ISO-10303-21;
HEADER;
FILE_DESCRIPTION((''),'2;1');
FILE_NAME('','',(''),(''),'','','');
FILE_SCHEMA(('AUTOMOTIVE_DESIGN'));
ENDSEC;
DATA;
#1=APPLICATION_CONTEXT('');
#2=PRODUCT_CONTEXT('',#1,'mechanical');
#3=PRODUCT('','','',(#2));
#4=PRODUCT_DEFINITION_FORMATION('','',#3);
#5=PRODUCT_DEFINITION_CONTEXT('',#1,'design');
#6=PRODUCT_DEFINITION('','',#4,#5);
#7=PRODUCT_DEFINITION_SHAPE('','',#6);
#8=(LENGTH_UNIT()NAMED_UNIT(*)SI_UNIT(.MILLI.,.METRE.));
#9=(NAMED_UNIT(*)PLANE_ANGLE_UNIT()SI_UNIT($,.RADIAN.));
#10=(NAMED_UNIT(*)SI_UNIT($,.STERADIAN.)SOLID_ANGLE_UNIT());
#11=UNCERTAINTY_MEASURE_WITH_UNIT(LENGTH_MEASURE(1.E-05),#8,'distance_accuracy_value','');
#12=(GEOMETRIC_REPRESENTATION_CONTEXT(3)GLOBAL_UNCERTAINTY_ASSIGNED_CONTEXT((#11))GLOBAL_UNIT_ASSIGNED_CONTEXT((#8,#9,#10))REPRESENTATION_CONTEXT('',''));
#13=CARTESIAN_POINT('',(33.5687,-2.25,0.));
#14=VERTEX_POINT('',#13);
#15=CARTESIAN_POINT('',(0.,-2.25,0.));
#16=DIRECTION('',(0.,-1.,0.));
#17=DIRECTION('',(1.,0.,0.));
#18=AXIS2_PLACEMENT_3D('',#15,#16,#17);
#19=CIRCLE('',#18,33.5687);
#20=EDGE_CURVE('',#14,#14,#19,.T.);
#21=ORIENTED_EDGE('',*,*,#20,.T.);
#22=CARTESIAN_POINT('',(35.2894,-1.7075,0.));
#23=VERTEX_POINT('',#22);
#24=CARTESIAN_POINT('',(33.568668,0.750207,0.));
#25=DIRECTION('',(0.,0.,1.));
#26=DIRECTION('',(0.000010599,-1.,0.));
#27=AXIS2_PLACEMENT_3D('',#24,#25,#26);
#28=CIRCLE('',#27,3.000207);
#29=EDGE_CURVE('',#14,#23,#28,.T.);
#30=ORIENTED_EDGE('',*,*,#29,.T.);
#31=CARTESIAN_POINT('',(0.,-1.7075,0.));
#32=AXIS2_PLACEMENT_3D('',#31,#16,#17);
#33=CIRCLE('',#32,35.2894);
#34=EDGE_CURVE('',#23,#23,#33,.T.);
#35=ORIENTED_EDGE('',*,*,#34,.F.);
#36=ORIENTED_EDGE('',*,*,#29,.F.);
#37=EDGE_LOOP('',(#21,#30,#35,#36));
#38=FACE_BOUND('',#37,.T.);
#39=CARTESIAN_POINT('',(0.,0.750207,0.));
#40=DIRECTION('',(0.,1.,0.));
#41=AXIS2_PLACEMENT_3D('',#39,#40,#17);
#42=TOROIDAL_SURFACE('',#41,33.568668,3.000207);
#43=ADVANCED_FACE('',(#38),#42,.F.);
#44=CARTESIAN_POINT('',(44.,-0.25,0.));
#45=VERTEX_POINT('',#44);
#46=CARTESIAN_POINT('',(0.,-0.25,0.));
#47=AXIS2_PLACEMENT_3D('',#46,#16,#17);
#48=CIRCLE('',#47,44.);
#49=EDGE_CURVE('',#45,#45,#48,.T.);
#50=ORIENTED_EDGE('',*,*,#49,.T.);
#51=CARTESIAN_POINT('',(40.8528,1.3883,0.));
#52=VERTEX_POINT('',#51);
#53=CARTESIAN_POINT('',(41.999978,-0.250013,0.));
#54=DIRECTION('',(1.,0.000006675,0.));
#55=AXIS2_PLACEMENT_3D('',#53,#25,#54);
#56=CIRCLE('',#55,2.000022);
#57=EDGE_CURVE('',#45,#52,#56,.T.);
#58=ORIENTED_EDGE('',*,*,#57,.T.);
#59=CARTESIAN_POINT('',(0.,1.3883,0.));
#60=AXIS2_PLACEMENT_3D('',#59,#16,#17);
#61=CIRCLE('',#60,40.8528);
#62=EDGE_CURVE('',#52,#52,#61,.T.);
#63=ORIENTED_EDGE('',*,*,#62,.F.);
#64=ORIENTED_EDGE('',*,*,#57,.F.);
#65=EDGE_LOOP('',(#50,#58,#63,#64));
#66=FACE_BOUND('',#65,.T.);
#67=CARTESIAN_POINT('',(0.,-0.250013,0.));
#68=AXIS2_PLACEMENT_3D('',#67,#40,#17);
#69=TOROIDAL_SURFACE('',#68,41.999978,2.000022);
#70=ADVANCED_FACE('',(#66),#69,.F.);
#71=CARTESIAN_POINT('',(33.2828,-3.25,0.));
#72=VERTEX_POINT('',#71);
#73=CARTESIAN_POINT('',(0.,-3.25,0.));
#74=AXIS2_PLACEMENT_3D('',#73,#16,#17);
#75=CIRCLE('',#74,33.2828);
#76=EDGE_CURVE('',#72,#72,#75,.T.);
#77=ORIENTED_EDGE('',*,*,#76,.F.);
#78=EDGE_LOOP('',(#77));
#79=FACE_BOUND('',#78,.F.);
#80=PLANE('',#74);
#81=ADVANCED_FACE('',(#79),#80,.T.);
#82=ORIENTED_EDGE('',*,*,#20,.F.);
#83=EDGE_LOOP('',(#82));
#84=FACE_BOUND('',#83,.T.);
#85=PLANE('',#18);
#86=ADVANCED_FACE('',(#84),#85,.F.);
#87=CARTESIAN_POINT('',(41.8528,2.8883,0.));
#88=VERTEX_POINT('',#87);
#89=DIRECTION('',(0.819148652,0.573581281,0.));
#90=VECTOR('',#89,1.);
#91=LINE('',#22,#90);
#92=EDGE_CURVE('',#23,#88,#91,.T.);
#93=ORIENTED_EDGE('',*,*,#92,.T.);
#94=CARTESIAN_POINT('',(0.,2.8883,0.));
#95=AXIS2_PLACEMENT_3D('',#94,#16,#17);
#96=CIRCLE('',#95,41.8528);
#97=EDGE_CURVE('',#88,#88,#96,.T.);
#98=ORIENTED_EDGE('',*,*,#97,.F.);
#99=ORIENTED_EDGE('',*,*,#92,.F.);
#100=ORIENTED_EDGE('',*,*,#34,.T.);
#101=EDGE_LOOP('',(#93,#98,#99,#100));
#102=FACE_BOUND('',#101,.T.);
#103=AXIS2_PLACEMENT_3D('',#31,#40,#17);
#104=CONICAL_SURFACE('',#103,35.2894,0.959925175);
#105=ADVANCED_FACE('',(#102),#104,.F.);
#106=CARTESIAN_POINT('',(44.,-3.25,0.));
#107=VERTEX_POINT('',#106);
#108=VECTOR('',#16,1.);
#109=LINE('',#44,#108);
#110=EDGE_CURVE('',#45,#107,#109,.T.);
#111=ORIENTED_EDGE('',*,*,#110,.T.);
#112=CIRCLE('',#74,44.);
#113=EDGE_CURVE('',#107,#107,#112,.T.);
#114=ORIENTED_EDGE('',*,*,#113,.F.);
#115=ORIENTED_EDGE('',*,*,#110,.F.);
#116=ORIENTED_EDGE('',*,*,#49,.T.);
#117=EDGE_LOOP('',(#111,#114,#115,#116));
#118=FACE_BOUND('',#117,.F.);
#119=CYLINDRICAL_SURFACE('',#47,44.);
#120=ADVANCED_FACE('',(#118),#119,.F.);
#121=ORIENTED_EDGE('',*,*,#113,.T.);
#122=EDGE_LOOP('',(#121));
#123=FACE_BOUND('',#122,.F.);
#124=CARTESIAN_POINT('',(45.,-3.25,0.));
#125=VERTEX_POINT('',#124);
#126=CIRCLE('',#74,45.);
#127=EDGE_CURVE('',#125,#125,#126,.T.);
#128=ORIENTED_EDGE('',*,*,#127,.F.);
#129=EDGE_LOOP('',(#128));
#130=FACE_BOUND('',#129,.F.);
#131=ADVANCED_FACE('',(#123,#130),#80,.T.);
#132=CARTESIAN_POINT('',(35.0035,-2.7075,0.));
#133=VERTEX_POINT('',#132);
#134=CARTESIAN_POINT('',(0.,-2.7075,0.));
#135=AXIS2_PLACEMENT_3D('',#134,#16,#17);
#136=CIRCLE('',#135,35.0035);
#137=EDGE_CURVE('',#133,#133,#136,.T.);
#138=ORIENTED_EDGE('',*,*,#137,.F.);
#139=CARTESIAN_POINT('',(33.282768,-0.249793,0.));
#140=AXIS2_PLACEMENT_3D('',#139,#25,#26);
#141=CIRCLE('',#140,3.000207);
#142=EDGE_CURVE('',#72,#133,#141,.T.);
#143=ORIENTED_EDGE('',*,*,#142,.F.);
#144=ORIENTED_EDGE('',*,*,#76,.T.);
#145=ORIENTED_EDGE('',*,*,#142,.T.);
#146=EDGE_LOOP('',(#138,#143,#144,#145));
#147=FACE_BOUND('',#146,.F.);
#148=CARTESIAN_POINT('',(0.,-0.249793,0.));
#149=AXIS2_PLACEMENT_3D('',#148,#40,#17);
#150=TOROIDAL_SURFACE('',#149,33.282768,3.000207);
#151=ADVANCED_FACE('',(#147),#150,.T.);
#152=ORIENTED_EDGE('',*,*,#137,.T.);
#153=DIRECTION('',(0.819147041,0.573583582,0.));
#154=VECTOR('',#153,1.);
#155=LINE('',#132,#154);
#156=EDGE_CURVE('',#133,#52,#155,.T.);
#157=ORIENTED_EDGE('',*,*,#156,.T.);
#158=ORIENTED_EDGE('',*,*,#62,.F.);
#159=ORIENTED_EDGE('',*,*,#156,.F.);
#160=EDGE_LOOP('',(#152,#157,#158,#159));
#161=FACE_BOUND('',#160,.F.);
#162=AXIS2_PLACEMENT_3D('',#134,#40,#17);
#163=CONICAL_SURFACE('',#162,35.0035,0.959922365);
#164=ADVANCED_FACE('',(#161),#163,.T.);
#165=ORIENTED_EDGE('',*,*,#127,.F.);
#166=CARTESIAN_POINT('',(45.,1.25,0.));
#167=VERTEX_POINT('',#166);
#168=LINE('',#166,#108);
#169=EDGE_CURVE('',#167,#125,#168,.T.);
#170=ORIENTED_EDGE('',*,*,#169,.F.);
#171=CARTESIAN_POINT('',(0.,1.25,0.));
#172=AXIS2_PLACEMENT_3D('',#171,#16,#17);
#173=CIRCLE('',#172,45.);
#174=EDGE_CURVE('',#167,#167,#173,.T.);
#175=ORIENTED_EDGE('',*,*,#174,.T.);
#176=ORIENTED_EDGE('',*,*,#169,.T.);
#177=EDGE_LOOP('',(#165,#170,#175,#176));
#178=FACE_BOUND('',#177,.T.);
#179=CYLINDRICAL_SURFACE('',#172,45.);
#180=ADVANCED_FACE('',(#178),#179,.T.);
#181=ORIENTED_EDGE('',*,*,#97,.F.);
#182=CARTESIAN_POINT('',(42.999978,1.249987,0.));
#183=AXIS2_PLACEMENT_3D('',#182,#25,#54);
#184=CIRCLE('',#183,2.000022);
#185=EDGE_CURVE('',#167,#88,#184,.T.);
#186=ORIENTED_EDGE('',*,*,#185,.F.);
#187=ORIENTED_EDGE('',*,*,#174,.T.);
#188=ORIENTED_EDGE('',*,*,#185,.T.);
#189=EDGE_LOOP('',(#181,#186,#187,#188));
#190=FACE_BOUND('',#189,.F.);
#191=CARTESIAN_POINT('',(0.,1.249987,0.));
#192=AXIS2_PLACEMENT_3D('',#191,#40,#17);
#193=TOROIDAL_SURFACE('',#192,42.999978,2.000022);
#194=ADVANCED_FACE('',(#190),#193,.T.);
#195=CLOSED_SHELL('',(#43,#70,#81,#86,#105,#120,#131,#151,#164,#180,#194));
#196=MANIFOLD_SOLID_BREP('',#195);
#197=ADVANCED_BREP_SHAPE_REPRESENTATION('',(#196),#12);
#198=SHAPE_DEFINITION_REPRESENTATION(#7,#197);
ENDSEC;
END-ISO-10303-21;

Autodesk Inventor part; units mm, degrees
ref_plane "YZ Plane" through (0, 0, 0) normal (1, 0, 0) x (0, 1, 0)
ref_plane "XZ Plane" through (0, 0, 0) normal (0, 1, 0) x (-1, 0, 0)
ref_plane "XY Plane" through (0, 0, 0) normal (0, 0, 1) x (1, 0, 0)
sketch "Эскиз1" plane through (0, 0, 0) normal (0, 0, 1) x (1, 0, 0)
  line L0 (0, 3.25) -> (0, -3.25)
  line L1 (0, -2.25) -> (33.5687, -2.25)
  line L2 (35.2894, -1.7075) -> (41.8528, 2.8883)
  line L3 (45, 1.25) -> (45, -3.25)
  arc A0 (33.5687, -2.25) -> (35.2894, -1.7075) centre (33.5687, 0.75) ccw
  arc A1 (45, 1.25) -> (41.8528, 2.8883) centre (43, 1.25) ccw
  line L4 (0, 3.25) -> (45, 3.25) construction
  line L5 (0, -3.25) -> (33.2828, -3.25)
  line L6 (35.0035, -2.7075) -> (40.8528, 1.3883)
  line L7 (44, -0.25) -> (44, -3.25)
  arc A2 (33.2828, -3.25) -> (35.0035, -2.7075) centre (33.2828, -0.25) ccw
  arc A3 (44, -0.25) -> (40.8528, 1.3883) centre (42, -0.25) ccw
  line L8 (44, -3.25) -> (45, -3.25)
  point P0 (0, 0)
  point P1 (0, 0)
  dimension "d0" = 6.5
  dimension "d1" = 1
  dimension "d2" = 3
  dimension "d3" = 55
  dimension "d4" = 90
  dimension "d5" = 2
  dimension "d6" = 55
  dimension "d7" = 3
  dimension "d8" = 2
  dimension "d9" = 1
revolve "Вращение1" add sketch "Эскиз1" angle 360 about axis through (0, 3.25, 0) along (0, -1, 0)
properties part number "77. Заглушка"
